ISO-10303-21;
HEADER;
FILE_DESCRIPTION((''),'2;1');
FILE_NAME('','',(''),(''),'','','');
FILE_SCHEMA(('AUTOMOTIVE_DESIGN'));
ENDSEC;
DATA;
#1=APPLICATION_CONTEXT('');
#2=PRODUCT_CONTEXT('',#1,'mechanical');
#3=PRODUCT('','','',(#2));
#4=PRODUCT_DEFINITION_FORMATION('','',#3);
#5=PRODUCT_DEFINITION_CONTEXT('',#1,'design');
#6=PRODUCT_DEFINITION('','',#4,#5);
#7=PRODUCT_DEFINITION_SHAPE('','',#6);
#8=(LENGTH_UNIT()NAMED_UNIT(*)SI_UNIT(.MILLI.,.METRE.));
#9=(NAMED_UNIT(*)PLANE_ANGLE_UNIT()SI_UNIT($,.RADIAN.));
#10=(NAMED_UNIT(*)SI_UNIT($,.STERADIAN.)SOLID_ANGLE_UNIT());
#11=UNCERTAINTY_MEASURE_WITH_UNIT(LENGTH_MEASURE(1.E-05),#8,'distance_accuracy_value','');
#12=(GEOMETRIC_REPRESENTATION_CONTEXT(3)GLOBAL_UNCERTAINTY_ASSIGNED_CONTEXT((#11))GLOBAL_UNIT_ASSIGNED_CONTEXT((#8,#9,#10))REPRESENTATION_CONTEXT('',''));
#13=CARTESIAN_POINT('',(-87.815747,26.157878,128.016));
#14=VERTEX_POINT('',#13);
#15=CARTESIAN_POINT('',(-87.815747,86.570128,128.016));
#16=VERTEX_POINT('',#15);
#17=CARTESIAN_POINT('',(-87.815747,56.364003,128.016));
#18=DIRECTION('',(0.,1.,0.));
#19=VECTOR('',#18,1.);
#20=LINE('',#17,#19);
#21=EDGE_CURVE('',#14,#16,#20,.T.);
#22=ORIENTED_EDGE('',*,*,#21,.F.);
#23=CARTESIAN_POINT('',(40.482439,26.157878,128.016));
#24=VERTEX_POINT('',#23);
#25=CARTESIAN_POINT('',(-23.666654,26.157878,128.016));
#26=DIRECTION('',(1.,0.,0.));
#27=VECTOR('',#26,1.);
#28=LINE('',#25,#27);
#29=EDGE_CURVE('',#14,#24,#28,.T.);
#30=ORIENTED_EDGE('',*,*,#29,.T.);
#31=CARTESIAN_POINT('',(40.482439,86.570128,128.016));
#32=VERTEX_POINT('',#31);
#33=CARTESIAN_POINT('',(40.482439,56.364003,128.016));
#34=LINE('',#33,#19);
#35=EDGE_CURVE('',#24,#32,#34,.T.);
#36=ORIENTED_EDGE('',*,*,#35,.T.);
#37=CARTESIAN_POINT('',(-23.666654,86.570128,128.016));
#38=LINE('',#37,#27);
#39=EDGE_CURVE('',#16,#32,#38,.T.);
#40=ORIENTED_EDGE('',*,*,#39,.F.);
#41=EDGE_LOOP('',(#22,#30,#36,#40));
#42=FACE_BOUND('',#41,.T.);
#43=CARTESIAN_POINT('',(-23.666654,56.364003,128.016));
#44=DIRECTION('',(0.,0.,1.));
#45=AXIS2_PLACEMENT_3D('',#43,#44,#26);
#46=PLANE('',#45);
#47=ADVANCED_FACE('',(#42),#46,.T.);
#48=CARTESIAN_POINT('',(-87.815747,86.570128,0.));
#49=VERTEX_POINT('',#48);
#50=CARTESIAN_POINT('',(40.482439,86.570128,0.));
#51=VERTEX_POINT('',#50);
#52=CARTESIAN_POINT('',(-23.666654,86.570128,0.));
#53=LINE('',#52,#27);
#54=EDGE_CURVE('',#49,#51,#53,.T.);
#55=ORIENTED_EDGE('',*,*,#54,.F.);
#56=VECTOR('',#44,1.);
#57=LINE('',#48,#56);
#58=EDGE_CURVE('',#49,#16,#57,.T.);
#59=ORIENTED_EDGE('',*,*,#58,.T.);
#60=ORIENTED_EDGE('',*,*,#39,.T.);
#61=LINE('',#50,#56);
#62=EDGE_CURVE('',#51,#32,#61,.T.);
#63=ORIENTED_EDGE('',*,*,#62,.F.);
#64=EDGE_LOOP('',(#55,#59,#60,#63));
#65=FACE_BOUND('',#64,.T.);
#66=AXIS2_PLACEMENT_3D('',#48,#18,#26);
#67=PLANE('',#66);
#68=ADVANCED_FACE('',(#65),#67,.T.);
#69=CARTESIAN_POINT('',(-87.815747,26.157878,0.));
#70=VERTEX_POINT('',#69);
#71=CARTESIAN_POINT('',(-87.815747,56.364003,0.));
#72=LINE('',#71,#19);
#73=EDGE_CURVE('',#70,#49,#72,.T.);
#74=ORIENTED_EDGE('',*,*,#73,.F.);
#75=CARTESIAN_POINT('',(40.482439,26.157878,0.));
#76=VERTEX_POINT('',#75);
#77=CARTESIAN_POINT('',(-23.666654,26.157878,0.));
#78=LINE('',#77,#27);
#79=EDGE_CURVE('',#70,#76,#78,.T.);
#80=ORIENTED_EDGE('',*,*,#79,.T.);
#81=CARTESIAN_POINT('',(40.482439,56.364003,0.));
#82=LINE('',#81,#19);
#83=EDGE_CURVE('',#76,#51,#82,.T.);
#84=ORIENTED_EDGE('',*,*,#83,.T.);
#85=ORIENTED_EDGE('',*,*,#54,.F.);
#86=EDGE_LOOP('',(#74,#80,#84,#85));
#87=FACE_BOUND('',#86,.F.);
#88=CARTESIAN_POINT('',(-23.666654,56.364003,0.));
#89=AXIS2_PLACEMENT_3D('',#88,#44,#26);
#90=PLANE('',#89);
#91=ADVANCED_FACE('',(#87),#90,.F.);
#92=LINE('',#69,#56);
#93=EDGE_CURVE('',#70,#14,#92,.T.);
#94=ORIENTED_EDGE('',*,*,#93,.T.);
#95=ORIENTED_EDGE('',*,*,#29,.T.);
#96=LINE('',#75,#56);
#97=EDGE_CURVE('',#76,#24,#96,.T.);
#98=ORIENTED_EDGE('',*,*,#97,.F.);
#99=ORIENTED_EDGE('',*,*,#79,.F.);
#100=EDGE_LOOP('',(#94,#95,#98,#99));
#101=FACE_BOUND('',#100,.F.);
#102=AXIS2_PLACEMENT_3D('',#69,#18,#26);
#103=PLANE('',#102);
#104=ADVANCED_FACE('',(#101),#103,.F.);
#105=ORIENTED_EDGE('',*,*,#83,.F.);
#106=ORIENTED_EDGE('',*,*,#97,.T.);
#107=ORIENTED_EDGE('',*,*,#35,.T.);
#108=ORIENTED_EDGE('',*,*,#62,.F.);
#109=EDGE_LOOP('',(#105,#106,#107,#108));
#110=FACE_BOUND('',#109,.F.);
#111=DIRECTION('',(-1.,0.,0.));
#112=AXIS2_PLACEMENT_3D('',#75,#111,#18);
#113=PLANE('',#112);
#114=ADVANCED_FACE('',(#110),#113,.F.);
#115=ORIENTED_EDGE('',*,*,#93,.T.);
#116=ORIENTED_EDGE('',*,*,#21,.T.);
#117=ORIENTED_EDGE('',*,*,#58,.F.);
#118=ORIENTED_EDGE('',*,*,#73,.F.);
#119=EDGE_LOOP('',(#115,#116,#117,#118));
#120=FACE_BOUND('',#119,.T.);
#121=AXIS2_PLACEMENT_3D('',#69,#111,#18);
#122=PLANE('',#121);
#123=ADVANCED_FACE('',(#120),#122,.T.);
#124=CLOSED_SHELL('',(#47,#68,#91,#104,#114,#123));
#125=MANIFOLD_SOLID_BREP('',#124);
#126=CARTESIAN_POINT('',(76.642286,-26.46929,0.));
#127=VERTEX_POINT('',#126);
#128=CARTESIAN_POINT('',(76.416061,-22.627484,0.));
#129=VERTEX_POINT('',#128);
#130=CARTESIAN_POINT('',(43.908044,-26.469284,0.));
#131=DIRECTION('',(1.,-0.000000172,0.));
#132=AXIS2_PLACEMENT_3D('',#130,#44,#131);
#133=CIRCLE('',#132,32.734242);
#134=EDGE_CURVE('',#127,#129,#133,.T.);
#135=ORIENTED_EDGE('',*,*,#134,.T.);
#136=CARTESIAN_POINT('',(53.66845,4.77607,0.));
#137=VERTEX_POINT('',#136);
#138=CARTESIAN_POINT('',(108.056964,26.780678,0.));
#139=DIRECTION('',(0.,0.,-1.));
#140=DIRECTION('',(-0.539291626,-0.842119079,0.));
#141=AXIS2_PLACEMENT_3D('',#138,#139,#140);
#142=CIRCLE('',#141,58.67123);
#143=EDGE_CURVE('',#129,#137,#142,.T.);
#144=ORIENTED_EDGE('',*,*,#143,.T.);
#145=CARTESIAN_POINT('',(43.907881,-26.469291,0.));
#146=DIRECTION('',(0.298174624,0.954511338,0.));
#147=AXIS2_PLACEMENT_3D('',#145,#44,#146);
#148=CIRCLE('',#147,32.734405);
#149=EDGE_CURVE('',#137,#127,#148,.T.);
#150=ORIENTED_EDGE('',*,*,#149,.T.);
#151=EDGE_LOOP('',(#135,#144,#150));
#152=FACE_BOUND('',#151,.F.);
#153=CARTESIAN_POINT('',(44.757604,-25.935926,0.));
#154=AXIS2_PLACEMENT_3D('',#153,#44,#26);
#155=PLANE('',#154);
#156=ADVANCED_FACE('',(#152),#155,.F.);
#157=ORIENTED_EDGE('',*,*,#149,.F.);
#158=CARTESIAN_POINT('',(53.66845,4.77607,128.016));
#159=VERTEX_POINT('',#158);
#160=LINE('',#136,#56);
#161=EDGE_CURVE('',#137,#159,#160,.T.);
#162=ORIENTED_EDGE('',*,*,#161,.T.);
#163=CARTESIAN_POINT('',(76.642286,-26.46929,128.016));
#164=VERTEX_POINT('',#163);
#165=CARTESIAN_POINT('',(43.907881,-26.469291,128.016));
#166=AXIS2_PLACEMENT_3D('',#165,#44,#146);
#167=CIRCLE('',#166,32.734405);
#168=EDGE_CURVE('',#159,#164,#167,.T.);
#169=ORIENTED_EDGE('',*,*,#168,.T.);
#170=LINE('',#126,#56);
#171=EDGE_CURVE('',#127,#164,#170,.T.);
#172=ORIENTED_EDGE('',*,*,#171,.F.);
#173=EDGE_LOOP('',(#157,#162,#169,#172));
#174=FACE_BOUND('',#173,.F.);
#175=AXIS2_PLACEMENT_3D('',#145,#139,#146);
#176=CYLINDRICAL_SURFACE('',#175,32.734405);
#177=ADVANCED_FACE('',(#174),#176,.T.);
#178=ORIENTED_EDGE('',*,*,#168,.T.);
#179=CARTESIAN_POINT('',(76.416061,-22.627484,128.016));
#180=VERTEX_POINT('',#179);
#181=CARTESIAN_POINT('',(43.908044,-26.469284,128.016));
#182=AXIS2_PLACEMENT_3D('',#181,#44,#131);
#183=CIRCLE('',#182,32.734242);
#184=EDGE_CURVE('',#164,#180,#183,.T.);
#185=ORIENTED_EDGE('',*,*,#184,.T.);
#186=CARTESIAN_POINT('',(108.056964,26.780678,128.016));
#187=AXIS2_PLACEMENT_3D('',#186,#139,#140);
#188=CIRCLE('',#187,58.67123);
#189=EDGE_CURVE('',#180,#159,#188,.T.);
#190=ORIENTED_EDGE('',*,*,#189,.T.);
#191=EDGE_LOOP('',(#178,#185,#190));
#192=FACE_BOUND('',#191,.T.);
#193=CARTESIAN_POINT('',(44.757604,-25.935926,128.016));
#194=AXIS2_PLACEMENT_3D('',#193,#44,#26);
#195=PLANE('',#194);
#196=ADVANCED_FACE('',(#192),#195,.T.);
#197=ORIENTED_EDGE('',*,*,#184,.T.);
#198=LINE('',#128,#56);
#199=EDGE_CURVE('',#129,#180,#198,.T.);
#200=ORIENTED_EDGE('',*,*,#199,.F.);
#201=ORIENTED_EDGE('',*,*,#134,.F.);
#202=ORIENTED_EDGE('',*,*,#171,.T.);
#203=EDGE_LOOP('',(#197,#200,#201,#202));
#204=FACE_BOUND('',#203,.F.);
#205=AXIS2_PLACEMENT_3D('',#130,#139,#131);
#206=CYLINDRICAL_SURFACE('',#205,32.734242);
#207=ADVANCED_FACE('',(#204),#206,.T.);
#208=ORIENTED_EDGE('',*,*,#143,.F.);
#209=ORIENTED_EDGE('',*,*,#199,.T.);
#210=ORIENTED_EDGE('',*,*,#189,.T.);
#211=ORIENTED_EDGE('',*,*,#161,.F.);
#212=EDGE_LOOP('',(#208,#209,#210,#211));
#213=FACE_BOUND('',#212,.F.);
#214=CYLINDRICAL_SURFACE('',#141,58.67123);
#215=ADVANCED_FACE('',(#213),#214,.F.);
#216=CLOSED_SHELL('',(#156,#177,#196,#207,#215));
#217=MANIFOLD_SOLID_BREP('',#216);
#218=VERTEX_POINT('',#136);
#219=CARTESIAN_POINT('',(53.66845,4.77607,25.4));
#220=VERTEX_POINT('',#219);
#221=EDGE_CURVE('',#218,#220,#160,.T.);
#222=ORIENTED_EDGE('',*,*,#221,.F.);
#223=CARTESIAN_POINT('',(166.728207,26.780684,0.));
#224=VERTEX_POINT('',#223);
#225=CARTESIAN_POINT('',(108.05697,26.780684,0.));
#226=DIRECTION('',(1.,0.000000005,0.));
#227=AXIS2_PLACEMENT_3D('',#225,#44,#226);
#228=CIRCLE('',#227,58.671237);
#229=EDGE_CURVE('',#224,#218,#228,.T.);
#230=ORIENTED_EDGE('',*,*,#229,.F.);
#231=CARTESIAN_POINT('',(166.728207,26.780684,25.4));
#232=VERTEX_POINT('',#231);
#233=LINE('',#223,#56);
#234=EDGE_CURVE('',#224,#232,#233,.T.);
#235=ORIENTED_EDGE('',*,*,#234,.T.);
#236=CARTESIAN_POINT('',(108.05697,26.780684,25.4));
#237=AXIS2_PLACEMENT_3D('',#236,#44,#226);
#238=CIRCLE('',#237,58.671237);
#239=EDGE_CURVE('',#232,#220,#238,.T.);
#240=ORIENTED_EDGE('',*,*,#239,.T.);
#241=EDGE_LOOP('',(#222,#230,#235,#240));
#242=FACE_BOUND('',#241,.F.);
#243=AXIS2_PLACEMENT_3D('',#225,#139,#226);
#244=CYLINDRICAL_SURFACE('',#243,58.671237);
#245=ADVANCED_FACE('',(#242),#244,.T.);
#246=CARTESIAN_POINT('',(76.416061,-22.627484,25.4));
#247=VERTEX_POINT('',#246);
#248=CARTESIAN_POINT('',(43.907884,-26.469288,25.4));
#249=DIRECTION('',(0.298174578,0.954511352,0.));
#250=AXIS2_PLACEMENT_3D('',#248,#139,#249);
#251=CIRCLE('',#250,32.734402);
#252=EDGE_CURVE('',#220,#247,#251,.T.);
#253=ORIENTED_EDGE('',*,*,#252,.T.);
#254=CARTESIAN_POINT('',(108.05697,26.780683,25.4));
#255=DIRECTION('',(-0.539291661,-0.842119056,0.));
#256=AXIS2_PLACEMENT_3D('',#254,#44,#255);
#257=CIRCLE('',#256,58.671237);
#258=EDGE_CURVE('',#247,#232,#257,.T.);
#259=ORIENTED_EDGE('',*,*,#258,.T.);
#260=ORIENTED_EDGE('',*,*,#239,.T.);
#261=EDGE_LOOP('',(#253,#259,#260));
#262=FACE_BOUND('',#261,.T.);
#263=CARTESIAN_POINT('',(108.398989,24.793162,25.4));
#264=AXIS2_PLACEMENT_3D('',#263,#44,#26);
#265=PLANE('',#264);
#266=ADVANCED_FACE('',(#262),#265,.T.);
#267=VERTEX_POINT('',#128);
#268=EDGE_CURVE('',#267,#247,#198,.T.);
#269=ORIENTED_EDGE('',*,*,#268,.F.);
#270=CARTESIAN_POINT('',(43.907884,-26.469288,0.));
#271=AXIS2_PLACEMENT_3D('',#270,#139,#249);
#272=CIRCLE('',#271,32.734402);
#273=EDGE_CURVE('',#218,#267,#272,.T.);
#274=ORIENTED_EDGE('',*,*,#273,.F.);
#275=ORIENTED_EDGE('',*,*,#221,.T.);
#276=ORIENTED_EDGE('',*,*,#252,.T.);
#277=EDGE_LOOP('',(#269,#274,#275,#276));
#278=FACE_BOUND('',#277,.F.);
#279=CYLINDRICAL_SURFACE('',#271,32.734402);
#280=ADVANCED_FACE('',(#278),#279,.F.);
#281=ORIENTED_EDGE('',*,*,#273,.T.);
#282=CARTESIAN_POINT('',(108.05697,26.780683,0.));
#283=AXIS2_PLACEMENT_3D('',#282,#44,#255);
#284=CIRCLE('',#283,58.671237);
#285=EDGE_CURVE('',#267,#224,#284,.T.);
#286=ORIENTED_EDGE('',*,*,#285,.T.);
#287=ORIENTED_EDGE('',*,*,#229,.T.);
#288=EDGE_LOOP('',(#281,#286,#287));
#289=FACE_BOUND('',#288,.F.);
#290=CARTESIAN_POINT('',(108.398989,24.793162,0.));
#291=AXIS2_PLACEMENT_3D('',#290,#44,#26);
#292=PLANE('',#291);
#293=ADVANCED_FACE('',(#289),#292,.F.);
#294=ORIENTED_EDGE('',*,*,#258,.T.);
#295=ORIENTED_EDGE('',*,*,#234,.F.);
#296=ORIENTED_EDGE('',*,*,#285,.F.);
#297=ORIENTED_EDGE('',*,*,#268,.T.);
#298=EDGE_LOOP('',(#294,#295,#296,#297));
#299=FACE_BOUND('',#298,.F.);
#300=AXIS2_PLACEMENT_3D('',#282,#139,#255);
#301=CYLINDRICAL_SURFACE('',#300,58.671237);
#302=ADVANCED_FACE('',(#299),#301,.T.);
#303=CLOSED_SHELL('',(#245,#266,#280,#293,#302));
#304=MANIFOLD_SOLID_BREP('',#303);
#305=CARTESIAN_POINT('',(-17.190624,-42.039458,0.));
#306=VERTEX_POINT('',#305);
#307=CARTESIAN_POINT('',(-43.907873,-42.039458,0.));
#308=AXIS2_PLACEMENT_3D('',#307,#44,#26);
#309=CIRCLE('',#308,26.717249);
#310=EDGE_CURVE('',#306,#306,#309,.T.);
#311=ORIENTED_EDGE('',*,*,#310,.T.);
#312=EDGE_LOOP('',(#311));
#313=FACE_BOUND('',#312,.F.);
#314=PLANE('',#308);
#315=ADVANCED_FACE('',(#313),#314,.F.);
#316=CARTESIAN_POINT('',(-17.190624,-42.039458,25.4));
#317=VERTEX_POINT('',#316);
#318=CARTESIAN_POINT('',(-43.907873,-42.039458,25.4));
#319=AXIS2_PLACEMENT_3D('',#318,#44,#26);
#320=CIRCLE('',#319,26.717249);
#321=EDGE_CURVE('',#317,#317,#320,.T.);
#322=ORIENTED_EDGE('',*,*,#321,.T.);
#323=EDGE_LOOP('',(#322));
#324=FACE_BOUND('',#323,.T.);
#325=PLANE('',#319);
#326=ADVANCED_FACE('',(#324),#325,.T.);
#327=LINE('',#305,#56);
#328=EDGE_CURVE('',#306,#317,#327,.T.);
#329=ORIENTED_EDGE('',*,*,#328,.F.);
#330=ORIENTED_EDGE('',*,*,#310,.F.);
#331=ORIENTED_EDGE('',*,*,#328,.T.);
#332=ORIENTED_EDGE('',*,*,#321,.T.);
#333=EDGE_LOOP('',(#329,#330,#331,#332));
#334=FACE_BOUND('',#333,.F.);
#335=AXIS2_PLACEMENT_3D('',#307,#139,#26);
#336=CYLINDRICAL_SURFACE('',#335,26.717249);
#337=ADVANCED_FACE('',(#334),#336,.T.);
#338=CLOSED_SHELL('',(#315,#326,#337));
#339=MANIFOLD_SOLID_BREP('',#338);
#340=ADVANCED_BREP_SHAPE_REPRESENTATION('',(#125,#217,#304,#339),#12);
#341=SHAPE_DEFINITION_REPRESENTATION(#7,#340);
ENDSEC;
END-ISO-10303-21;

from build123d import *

# Parameters (mm, degrees)
F0_R     = 26.717249
F1_DEPTH = 25.4
F0_W     = 128.298186
F0_H     = 60.412251
F2_DEPTH = 128.016


with BuildPart() as f1:
    # F0 (on Top) → F1 (new body)
    with BuildSketch(Plane.XY):
        with Locations((-43.907873, -42.039458)):
            Circle(F0_R)
        with BuildLine():
            ThreePointArc((53.66845, 4.77607), (69.095189, -5.561378), (76.416061, -22.627484))
            ThreePointArc((76.416061, -22.627484), (136.216363, -24.691277), (166.728207, 26.780684))
            ThreePointArc((166.728207, 26.780684), (96.848216, 84.37129), (53.66845, 4.77607))
        make_face()
    extrude(amount=F1_DEPTH)


with BuildPart() as f2:
    # F0 (on Top) → F2 (new body)
    with BuildSketch(Plane.XY):
        with Locations((-23.666654, 56.364003)):
            Rectangle(F0_W, F0_H)
        with BuildLine():
            ThreePointArc((53.66845, 4.77607), (17.535095, -45.860459), (76.642286, -26.46929))
            ThreePointArc((76.642286, -26.46929), (76.585681, -24.54506), (76.416061, -22.627484))
            ThreePointArc((76.416061, -22.627484), (62.912708, -10.693438), (53.66845, 4.77607))
        make_face()
    extrude(amount=F2_DEPTH)


solid = Compound([f1.part, f2.part])
